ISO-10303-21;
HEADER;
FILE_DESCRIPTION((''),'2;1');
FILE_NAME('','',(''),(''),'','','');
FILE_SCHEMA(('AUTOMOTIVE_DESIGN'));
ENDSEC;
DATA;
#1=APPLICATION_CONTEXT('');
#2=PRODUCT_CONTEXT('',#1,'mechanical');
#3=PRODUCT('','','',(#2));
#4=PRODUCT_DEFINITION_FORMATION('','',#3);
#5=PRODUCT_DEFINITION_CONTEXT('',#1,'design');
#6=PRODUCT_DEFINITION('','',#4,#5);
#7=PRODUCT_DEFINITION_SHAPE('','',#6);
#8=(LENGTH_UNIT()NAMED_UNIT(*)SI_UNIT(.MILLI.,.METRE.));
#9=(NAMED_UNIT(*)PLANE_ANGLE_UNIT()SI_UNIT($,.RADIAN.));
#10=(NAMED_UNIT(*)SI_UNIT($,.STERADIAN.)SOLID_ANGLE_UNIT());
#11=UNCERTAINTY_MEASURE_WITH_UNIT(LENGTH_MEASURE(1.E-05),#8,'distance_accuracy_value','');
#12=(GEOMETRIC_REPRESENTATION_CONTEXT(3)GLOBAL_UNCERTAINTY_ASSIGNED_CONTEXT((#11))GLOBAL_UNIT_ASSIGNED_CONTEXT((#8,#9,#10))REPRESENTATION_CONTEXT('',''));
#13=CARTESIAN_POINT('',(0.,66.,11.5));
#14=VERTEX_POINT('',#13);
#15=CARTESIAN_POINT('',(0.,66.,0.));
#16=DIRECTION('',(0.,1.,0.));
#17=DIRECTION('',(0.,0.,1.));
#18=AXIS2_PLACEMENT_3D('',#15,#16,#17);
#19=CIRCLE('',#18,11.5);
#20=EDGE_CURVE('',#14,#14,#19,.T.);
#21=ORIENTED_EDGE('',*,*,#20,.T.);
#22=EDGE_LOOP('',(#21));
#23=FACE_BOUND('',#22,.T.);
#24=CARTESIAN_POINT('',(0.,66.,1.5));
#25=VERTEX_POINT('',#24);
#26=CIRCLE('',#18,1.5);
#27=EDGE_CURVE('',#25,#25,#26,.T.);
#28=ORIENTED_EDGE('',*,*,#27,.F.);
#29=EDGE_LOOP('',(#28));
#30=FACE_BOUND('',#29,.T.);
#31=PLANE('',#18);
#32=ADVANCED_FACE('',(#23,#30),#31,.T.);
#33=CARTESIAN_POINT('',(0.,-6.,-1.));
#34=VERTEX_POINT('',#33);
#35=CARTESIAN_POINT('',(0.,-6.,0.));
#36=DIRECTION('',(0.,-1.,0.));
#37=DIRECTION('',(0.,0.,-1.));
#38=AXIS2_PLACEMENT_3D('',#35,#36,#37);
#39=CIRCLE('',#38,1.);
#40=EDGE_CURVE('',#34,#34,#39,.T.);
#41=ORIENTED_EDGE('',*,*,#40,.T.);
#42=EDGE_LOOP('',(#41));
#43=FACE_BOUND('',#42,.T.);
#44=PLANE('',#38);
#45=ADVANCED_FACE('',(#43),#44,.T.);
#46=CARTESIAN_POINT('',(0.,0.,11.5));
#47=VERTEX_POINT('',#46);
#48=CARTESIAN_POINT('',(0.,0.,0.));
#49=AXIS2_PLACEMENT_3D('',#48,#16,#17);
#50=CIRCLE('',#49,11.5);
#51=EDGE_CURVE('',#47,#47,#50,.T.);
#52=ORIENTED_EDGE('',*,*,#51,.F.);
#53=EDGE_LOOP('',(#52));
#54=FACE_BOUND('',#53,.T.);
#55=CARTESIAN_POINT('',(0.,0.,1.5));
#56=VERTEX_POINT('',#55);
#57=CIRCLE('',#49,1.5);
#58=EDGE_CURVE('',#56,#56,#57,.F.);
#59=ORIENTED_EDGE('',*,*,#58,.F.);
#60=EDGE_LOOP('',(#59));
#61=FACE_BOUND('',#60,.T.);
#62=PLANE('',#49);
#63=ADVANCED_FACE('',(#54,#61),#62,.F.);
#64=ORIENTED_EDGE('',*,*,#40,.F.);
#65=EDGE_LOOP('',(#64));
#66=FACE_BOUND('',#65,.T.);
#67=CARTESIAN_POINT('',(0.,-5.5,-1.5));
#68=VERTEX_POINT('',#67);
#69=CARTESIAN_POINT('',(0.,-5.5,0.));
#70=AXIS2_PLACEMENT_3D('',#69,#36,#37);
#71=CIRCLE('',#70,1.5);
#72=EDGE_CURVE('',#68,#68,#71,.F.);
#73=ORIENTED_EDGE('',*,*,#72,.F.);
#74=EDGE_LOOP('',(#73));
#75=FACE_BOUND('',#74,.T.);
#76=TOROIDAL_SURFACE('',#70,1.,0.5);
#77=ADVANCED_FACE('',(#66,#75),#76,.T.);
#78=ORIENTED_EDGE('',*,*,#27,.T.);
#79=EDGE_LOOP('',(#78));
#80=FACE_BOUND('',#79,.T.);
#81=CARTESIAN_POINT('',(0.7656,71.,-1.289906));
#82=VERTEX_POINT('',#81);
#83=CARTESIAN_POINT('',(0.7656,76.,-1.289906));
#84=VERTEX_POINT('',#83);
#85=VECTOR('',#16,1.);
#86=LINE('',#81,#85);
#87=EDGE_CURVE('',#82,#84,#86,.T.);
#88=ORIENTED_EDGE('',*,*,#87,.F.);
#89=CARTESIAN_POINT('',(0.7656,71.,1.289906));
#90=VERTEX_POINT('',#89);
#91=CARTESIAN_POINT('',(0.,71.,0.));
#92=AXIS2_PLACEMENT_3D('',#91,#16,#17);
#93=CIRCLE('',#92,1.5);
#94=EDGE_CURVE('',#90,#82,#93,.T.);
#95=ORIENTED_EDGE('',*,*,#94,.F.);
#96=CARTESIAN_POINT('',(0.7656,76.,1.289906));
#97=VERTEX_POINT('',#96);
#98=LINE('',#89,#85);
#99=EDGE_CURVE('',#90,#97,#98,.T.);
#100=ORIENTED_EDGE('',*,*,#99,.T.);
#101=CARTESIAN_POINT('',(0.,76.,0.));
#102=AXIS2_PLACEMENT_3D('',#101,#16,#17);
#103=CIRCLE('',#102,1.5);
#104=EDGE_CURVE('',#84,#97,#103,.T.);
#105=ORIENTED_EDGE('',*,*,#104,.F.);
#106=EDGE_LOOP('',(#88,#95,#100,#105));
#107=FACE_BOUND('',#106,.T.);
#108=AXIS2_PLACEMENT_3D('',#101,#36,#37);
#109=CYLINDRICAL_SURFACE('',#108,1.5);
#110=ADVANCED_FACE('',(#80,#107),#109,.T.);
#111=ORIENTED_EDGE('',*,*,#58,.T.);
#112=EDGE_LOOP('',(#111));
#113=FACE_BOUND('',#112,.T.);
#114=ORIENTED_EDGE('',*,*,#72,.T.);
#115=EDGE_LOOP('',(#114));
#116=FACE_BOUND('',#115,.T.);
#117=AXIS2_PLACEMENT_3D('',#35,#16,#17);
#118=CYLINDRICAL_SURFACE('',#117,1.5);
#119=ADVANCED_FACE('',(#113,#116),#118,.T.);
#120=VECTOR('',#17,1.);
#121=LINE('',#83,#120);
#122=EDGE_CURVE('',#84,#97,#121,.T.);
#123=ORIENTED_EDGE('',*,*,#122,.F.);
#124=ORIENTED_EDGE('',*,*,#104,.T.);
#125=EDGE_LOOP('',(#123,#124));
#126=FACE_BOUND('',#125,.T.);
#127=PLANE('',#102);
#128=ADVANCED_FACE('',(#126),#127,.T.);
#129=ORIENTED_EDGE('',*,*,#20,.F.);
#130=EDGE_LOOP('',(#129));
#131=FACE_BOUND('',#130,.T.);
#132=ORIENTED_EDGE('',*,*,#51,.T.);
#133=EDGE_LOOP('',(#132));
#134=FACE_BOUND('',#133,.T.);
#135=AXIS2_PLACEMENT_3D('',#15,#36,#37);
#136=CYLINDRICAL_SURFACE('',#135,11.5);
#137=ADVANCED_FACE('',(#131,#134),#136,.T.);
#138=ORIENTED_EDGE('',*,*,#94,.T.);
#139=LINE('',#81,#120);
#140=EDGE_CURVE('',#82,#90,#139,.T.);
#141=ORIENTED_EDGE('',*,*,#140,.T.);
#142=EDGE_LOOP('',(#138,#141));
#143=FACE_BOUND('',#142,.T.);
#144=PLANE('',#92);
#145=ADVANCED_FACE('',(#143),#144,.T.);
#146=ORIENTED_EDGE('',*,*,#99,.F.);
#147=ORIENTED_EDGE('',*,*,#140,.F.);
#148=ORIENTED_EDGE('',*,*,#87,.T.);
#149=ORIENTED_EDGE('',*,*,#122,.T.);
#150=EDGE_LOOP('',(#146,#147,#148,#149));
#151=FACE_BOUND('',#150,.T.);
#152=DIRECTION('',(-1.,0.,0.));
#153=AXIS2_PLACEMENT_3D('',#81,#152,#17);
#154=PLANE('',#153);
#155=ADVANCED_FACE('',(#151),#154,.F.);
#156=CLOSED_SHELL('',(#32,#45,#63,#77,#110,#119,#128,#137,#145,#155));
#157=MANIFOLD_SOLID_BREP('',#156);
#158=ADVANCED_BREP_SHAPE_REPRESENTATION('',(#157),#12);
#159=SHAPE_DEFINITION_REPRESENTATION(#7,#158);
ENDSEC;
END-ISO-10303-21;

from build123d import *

# Parameters (mm, degrees)
SKETCH1_R           = 11.5
BOSS_EXTRUDE1_DEPTH = 66
SKETCH2_R           = 1.5
BOSS_EXTRUDE2_DEPTH = 10
BOSS_EXTRUDE4_START = 6
SKETCH4_R           = 1.5
BOSS_EXTRUDE4_DEPTH = 6
FILLET1_R           = 0.5
CUT_EXTRUDE1_START  = -5
CUT_EXTRUDE1_DEPTH  = 5


with BuildPart() as part:
    # Sketch1 → Boss-Extrude1 (new body)
    with BuildSketch(Plane(origin=(0, 0, 0), x_dir=(1, 0, 0), z_dir=(0, 1, 0))):
        with Locations(Location((0, 0, 0), (0, 0, 270))):
            Circle(SKETCH1_R)
    extrude(amount=BOSS_EXTRUDE1_DEPTH)

    # Sketch2 → Boss-Extrude2 (add)
    with BuildSketch(Plane(origin=(0, 66, 0), x_dir=(1, 0, 0), z_dir=(0, 1, 0))):
        with Locations(Location((0, 0, 0), (0, 0, 270))):
            Circle(SKETCH2_R)
    extrude(amount=BOSS_EXTRUDE2_DEPTH)

    # Sketch4 → Boss-Extrude4 (add)
    with BuildSketch(Plane.XZ.offset(BOSS_EXTRUDE4_START)):
        with Locations(Location((0, 0, 0), (0, 0, 90))):
            Circle(SKETCH4_R)
    extrude(amount=-BOSS_EXTRUDE4_DEPTH)

    # Fillet1
    fillet1_edges = [part.edges().sort_by_distance(p)[0] for p in [
        (0, -6, -1.5),
    ]]
    fillet(fillet1_edges, radius=FILLET1_R)

    # Sketch5 → Cut-Extrude1 (cut)
    with BuildSketch(Plane(origin=(0, 76, 0), x_dir=(1, 0, 0), z_dir=(0, 1, 0)).offset(CUT_EXTRUDE1_START)):
        with BuildLine():
            Line((0.765599936, 1.289905709), (0.765599936, -1.289905709))
            ThreePointArc((0.765599936, -1.289905709), (1.5, 0), (0.765599936, 1.289905709))
        make_face()
    extrude(amount=CUT_EXTRUDE1_DEPTH, mode=Mode.SUBTRACT)


solid = part.part
